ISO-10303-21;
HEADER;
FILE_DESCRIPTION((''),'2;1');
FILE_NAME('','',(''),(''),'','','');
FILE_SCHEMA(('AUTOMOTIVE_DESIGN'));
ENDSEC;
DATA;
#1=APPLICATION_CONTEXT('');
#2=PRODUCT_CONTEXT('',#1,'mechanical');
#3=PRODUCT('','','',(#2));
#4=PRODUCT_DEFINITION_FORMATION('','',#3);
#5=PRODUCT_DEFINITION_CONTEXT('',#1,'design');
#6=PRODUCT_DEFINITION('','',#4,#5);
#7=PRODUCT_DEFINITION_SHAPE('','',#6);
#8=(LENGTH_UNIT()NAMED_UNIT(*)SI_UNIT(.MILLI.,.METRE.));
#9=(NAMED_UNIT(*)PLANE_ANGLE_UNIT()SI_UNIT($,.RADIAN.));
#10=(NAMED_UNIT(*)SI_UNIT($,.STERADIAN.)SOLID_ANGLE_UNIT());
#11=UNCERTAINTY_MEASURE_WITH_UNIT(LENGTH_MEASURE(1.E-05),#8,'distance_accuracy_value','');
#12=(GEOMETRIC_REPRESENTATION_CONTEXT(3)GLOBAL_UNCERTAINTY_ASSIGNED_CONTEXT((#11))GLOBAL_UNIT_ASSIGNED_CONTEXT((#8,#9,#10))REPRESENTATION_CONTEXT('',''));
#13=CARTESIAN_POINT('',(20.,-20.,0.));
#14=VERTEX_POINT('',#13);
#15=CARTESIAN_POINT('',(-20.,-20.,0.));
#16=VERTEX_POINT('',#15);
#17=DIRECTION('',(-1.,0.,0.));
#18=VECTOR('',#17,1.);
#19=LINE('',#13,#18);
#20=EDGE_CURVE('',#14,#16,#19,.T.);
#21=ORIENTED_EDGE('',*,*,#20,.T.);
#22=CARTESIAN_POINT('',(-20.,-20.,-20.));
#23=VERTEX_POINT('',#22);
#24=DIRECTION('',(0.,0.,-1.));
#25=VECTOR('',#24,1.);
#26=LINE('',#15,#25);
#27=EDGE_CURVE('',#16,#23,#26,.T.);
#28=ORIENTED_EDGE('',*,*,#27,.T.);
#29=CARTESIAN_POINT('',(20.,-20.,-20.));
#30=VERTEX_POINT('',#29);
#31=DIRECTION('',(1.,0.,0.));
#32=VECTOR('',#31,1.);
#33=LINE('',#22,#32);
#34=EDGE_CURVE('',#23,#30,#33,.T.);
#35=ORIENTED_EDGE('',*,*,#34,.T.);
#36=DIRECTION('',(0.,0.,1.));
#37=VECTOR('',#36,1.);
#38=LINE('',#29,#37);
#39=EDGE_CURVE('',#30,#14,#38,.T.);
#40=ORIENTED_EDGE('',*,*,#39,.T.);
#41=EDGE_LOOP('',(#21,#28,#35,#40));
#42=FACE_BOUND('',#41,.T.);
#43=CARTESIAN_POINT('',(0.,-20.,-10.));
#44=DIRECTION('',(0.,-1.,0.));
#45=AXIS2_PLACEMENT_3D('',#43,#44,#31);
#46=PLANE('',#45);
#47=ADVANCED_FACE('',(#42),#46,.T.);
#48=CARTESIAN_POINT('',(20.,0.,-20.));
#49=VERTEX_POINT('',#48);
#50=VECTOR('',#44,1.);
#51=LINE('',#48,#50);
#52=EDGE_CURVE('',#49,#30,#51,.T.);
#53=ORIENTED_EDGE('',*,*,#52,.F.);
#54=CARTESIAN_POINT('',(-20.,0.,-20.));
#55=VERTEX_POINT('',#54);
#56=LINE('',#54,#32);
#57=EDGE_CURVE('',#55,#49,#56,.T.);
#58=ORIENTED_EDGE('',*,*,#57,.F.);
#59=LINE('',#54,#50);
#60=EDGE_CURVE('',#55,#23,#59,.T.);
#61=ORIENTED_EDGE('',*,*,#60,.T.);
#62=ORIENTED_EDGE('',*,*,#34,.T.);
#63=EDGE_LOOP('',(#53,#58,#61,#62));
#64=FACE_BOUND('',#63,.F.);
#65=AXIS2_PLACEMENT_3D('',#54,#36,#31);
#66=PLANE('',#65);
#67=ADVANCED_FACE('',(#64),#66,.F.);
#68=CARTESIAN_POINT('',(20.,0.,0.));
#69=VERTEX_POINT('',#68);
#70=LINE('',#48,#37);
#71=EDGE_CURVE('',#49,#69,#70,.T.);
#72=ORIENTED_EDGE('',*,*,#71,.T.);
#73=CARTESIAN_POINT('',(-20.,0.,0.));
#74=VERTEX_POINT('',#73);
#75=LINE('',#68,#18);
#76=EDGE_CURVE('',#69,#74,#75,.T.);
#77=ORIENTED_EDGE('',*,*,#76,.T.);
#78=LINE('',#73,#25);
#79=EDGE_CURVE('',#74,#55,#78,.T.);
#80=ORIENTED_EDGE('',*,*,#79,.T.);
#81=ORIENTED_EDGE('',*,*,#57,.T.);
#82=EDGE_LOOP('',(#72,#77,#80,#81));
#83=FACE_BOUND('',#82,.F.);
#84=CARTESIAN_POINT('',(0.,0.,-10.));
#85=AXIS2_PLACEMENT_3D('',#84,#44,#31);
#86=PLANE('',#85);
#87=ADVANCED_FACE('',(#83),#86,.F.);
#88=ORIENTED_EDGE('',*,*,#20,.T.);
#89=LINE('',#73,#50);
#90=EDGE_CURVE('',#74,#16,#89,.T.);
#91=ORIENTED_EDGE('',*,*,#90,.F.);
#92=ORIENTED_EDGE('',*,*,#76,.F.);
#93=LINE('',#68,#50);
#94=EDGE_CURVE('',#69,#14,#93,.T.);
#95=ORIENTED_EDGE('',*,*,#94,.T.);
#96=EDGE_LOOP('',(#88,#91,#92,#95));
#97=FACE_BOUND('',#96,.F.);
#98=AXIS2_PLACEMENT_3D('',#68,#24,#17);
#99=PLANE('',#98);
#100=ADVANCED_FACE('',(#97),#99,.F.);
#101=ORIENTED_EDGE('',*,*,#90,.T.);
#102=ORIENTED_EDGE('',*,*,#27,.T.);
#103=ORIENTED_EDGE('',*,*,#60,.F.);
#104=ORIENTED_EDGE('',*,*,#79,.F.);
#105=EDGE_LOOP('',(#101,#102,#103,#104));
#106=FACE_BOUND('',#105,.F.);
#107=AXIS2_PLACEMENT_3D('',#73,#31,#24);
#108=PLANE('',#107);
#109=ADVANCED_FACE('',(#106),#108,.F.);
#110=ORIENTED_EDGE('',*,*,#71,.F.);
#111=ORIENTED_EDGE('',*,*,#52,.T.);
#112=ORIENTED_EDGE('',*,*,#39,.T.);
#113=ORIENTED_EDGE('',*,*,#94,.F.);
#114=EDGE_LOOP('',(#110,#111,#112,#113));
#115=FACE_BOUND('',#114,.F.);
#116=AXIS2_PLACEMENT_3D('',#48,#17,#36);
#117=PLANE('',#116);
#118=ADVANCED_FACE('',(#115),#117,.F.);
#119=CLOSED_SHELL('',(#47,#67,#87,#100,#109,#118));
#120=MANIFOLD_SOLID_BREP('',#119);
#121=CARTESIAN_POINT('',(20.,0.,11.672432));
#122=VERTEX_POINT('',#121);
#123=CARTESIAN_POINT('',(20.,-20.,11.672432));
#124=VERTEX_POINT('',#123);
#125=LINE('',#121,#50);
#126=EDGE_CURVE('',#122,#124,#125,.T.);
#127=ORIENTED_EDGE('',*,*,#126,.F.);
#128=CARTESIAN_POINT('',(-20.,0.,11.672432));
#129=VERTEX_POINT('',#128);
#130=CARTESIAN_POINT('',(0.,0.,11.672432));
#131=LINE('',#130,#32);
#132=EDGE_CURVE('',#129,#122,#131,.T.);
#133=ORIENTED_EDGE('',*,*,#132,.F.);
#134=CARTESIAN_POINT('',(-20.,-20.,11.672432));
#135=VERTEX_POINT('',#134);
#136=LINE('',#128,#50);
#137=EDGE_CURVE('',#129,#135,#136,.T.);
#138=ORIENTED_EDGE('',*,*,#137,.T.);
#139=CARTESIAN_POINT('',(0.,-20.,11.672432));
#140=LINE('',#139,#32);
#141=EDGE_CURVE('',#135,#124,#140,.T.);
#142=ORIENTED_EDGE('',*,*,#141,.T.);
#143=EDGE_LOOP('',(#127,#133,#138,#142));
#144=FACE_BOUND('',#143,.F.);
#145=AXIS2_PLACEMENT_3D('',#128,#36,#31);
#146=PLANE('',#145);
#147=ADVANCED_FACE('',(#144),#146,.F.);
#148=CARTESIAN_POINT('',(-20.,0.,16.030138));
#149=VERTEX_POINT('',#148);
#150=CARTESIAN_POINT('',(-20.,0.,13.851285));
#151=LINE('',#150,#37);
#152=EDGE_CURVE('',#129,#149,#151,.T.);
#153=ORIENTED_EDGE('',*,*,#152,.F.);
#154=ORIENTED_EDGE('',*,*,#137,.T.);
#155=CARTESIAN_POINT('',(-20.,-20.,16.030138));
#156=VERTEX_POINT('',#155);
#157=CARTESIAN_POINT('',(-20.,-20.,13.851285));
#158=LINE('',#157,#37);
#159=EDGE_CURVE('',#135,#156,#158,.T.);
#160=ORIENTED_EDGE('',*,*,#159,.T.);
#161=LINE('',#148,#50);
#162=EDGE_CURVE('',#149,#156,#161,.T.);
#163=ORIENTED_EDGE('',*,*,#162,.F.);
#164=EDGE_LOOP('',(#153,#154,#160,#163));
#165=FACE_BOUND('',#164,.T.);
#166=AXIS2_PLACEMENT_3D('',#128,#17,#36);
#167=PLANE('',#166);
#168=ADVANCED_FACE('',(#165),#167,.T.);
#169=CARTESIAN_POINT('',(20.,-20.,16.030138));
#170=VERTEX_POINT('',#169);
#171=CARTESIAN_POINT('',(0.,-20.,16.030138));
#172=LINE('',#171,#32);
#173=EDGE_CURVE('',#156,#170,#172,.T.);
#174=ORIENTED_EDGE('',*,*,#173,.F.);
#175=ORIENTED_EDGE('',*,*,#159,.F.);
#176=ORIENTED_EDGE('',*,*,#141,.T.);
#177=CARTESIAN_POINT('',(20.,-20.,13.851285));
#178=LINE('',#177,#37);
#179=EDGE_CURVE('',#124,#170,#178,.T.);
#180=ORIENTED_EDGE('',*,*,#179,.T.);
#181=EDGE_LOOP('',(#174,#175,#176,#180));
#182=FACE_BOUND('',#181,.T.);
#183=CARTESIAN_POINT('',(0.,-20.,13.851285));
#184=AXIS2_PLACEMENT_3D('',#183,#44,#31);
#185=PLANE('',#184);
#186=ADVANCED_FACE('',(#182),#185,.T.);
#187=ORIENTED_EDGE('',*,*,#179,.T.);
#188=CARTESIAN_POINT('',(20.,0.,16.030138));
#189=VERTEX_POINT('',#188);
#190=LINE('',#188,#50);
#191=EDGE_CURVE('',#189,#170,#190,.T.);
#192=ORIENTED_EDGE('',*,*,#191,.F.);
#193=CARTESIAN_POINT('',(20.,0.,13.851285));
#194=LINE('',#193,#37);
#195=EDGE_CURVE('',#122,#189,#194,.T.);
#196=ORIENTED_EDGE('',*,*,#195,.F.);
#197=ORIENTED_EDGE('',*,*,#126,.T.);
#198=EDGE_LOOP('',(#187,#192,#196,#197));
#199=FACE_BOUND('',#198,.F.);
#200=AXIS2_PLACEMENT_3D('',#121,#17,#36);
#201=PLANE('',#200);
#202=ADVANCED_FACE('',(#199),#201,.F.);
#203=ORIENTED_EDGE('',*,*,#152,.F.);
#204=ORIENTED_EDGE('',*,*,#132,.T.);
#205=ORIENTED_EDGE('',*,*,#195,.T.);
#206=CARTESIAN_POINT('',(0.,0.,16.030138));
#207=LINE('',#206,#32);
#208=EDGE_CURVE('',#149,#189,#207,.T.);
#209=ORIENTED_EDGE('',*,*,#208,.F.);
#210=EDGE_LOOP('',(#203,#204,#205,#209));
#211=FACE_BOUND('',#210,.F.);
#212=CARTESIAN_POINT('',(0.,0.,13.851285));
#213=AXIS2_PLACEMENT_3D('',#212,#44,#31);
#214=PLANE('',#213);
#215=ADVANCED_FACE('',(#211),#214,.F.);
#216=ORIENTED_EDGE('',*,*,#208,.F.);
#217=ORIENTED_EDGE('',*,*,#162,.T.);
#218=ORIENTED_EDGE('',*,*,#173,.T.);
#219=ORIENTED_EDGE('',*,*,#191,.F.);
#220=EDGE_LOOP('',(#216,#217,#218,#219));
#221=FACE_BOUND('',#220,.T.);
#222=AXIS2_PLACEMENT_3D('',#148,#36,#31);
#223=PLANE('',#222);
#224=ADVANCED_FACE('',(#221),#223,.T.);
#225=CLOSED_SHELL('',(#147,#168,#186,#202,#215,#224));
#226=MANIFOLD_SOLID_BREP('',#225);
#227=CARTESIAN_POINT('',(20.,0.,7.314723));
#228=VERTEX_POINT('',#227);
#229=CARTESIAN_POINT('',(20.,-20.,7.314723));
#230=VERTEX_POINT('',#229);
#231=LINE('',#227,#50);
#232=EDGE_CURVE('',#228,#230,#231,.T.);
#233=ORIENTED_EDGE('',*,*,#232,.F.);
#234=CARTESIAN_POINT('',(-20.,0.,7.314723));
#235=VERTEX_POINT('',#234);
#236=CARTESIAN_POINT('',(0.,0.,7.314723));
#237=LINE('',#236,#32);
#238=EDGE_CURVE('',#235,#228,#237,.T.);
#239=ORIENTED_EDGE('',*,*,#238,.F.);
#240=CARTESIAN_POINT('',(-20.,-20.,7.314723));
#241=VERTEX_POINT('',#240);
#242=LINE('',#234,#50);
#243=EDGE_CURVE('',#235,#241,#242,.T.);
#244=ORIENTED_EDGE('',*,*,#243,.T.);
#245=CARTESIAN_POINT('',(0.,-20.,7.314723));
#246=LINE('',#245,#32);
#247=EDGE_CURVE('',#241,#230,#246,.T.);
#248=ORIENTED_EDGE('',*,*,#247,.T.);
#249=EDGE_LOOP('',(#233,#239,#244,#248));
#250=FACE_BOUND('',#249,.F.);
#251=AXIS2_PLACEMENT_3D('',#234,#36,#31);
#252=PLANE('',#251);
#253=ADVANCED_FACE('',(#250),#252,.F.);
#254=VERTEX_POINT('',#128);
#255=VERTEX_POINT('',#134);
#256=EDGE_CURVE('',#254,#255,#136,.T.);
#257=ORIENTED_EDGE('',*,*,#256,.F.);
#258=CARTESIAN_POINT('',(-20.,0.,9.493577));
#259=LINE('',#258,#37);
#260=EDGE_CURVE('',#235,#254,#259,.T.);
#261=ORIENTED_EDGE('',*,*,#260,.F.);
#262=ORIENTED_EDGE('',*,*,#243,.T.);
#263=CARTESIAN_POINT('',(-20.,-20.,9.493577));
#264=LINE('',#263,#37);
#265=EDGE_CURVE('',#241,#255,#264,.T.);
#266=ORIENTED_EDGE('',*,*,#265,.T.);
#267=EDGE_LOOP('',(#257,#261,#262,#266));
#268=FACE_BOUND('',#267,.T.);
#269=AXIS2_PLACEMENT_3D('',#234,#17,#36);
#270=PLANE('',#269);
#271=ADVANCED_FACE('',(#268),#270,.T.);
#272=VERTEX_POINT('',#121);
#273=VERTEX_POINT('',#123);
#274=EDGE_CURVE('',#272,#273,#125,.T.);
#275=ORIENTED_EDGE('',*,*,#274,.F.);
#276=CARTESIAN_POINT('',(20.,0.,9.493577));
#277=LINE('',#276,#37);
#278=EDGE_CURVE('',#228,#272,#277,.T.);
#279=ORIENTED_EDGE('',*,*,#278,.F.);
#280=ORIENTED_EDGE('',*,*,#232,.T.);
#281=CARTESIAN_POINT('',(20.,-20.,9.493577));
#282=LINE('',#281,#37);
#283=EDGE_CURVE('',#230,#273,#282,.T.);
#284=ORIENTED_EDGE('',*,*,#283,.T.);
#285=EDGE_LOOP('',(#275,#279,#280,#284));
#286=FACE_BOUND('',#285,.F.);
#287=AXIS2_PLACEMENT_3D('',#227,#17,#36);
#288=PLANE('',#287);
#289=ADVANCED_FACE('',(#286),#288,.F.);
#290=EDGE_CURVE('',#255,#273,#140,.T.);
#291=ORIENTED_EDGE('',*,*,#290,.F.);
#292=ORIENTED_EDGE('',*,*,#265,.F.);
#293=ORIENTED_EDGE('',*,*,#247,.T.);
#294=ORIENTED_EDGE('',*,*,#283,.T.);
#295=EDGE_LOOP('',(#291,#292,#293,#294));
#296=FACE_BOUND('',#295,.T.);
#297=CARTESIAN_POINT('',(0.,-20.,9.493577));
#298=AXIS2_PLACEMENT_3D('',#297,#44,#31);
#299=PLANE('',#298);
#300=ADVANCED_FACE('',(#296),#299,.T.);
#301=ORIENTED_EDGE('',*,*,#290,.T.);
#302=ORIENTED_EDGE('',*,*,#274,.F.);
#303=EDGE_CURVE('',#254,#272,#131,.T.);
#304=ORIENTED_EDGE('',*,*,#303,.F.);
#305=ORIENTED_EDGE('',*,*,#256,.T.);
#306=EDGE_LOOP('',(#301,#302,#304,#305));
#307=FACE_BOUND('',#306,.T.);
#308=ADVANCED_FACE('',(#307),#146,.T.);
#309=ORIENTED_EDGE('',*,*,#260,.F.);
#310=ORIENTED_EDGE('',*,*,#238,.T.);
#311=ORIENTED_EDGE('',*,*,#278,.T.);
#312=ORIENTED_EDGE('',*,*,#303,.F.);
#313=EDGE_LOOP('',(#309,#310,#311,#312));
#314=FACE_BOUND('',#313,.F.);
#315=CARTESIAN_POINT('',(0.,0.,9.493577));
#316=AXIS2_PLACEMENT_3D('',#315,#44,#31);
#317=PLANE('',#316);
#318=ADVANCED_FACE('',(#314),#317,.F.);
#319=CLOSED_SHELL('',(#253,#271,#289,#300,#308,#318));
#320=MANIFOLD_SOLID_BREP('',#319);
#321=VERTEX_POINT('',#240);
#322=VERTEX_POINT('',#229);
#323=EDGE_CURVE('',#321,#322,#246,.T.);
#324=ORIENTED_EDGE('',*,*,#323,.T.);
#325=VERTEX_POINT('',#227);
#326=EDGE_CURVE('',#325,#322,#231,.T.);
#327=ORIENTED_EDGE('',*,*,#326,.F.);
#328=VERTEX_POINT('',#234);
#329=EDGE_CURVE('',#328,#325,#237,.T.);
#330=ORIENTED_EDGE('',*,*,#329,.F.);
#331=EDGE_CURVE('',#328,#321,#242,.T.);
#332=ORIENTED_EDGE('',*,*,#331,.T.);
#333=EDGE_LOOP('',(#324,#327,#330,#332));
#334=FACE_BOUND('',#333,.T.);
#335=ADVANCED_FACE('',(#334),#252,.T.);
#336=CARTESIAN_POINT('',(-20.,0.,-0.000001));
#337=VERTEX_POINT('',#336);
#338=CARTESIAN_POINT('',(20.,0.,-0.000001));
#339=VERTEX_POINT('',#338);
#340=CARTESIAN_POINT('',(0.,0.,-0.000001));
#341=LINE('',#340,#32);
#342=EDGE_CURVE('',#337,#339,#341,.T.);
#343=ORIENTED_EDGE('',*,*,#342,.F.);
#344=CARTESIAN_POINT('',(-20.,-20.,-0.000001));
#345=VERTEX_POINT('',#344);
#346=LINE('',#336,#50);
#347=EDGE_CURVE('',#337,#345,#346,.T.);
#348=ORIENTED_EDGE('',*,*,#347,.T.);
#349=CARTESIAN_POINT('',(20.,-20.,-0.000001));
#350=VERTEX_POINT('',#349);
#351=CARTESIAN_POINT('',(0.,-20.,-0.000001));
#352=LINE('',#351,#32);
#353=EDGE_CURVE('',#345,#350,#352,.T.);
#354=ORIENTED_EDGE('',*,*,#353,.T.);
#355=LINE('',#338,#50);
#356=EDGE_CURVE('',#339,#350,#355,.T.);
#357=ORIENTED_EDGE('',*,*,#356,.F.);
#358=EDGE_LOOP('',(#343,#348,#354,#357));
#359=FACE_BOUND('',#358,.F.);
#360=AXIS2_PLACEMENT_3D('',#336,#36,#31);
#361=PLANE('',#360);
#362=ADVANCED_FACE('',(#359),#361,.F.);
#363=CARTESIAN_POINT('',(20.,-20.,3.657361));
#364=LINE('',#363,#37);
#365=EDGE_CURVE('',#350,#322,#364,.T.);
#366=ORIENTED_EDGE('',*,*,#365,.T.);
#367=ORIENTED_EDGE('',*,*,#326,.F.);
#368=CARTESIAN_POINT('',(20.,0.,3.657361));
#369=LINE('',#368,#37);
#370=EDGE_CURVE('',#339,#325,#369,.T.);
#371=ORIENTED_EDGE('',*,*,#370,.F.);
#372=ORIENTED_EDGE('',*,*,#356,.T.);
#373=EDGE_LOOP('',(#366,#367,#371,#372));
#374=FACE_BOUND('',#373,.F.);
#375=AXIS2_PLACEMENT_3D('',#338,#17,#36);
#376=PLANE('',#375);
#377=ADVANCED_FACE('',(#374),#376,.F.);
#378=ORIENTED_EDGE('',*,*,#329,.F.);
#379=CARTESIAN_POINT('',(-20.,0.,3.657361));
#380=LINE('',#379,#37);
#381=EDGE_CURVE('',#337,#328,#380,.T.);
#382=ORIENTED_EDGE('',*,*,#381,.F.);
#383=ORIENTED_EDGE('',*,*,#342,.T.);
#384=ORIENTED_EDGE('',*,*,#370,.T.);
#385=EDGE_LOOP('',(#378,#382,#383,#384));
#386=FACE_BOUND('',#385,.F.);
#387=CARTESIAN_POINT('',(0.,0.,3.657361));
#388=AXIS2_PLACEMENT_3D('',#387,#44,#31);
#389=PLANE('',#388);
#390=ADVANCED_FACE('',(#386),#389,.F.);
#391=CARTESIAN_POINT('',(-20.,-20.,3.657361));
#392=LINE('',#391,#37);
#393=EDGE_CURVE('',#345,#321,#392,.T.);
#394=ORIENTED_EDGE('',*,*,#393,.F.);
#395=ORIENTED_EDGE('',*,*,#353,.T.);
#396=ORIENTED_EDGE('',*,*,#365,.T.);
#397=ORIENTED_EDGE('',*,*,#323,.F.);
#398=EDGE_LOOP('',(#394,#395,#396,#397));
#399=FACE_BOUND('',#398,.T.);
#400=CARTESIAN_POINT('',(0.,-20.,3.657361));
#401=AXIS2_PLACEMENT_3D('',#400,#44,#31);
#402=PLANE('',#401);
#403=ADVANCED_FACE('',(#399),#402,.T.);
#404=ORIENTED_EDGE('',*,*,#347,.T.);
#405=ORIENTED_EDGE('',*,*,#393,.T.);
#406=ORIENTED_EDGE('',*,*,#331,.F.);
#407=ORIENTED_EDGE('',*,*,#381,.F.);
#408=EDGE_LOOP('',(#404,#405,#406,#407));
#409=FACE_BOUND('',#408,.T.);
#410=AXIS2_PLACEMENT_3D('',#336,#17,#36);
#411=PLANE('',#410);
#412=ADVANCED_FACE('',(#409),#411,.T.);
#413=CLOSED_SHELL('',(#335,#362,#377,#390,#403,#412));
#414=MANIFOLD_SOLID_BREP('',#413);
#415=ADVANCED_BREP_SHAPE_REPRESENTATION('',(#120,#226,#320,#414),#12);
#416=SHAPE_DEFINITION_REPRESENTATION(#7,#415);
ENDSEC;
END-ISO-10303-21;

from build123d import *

# Parameters (mm, degrees)
F1_DEPTH = 20
F0_W     = 40
F0_H     = 7.314723
F2_DEPTH = 20
F0_H_2   = 4.357709
F3_DEPTH = 20
F0_H_3   = 4.357706
F4_DEPTH = 20


with BuildPart() as f1:
    # F0 (on Front) → F1 (new body)
    with BuildSketch(Plane.XZ):
        Polygon((-20, -20), (0, -20), (20, -20), (20, 0), (-20, 0), align=None)
    extrude(amount=F1_DEPTH)


with BuildPart() as f2:
    # F0 (on Front) → F2 (new body)
    with BuildSketch(Plane.XZ):
        with Locations((0, 3.657361)):
            Rectangle(F0_W, F0_H)
    extrude(amount=F2_DEPTH)


with BuildPart() as f3:
    # F0 (on Front) → F3 (new body)
    with BuildSketch(Plane.XZ):
        with Locations((0, 9.493577)):
            Rectangle(F0_W, F0_H_2)
    extrude(amount=F3_DEPTH)


with BuildPart() as f4:
    # F0 (on Front) → F4 (new body)
    with BuildSketch(Plane.XZ):
        with Locations((0, 13.851285)):
            Rectangle(F0_W, F0_H_3)
    extrude(amount=F4_DEPTH)


solid = Compound([f1.part, f2.part, f3.part, f4.part])
